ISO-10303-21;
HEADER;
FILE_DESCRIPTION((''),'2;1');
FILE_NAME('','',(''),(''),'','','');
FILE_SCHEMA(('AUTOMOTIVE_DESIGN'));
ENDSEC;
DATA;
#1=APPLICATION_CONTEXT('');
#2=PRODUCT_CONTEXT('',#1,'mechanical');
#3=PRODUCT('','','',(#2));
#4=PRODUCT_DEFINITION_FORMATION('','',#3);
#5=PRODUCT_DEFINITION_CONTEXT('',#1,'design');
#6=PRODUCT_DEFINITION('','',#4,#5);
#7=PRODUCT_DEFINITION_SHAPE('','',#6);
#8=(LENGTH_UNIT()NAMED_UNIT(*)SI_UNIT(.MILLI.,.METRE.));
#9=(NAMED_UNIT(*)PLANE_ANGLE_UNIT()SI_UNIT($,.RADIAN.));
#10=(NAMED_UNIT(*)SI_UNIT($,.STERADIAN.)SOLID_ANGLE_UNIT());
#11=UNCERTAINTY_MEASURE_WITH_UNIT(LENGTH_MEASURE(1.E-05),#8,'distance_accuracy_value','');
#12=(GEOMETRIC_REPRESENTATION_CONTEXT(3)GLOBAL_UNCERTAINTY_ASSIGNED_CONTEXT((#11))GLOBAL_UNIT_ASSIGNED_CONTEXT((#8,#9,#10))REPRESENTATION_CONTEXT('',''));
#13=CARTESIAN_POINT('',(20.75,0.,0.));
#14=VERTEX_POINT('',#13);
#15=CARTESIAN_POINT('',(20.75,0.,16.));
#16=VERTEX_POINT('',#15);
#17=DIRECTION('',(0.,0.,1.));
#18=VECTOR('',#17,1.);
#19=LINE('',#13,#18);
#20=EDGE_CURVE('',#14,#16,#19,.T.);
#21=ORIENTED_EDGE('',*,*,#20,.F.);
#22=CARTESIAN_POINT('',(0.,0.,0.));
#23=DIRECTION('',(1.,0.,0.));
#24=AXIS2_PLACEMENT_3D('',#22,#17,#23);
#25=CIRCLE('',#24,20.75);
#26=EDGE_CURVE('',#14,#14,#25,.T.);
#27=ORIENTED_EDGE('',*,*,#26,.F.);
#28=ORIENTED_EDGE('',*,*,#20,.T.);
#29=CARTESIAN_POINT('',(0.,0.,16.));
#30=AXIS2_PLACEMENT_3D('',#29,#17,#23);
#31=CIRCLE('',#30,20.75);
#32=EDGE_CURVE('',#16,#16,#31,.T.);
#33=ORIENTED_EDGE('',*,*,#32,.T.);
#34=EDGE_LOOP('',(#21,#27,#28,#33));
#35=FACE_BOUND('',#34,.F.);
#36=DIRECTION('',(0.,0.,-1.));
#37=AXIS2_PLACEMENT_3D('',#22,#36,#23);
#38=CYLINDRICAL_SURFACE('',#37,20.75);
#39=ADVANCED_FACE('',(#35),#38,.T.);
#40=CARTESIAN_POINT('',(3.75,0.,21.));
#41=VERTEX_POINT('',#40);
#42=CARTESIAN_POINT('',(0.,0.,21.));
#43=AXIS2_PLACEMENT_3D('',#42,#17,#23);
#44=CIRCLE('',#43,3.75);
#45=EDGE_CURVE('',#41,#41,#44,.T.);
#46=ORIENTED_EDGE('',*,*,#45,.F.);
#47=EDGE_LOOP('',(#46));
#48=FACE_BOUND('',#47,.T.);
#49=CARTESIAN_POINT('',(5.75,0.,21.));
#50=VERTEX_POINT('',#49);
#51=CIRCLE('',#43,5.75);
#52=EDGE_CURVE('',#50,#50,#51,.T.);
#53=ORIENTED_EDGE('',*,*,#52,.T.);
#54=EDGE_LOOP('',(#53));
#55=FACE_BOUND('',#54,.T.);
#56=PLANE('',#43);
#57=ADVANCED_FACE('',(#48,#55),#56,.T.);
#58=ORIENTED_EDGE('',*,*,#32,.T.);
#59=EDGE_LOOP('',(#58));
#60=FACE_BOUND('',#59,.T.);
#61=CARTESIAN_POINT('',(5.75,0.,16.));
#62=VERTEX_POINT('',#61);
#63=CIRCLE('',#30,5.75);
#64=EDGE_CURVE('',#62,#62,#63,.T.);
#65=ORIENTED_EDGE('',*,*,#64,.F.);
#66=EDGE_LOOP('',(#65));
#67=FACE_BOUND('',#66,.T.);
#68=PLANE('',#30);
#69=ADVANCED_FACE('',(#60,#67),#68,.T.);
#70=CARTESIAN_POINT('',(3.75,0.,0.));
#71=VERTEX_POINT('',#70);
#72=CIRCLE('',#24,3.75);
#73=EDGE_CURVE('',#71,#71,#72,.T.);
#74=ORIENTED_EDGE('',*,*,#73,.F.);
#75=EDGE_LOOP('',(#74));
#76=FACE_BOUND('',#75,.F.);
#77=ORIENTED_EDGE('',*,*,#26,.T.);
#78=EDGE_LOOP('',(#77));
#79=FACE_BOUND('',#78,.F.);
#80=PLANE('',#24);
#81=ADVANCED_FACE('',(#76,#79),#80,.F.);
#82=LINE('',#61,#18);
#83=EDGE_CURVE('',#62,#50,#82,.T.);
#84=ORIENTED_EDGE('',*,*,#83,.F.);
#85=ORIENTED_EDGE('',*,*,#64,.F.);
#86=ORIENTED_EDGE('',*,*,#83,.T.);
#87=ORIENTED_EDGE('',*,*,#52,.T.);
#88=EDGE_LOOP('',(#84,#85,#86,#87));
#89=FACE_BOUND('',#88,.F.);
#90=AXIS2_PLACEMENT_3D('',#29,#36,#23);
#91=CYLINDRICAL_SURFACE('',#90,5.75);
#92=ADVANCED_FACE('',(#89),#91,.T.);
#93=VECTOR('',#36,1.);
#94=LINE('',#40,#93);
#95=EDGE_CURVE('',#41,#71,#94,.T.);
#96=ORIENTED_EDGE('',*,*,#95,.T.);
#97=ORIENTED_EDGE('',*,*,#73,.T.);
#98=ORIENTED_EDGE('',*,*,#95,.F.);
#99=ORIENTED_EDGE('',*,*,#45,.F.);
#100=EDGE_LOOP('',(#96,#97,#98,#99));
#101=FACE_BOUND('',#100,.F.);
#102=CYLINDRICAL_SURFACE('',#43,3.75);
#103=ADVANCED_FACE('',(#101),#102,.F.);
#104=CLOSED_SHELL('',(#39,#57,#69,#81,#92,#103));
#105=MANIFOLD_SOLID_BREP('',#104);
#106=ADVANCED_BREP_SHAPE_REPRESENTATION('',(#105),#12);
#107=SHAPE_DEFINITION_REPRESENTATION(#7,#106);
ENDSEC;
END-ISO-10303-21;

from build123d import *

# Parameters (mm, degrees)
SKETCH_R     = 20.75
PAD_DEPTH    = 16
SKETCH001_R  = 5.75
PAD001_DEPTH = 5
SKETCH002_R  = 3.75
POCKET_DEPTH = 21.001


with BuildPart() as part:
    # Sketch → Pad (new body)
    with BuildSketch(Plane.XY):
        Circle(SKETCH_R)
    extrude(amount=PAD_DEPTH)

    # Sketch001 (on Face3 of Pad) → Pad001 (join)
    with BuildSketch(Plane.XY.offset(16)):
        Circle(SKETCH001_R)
    extrude(amount=PAD001_DEPTH)

    # Sketch002 (on Face5 of Pad001) → Pocket (cut, through all)
    with BuildSketch(Plane.XY.offset(21)):
        Circle(SKETCH002_R)
    extrude(amount=-POCKET_DEPTH, mode=Mode.SUBTRACT)


solid = part.part
